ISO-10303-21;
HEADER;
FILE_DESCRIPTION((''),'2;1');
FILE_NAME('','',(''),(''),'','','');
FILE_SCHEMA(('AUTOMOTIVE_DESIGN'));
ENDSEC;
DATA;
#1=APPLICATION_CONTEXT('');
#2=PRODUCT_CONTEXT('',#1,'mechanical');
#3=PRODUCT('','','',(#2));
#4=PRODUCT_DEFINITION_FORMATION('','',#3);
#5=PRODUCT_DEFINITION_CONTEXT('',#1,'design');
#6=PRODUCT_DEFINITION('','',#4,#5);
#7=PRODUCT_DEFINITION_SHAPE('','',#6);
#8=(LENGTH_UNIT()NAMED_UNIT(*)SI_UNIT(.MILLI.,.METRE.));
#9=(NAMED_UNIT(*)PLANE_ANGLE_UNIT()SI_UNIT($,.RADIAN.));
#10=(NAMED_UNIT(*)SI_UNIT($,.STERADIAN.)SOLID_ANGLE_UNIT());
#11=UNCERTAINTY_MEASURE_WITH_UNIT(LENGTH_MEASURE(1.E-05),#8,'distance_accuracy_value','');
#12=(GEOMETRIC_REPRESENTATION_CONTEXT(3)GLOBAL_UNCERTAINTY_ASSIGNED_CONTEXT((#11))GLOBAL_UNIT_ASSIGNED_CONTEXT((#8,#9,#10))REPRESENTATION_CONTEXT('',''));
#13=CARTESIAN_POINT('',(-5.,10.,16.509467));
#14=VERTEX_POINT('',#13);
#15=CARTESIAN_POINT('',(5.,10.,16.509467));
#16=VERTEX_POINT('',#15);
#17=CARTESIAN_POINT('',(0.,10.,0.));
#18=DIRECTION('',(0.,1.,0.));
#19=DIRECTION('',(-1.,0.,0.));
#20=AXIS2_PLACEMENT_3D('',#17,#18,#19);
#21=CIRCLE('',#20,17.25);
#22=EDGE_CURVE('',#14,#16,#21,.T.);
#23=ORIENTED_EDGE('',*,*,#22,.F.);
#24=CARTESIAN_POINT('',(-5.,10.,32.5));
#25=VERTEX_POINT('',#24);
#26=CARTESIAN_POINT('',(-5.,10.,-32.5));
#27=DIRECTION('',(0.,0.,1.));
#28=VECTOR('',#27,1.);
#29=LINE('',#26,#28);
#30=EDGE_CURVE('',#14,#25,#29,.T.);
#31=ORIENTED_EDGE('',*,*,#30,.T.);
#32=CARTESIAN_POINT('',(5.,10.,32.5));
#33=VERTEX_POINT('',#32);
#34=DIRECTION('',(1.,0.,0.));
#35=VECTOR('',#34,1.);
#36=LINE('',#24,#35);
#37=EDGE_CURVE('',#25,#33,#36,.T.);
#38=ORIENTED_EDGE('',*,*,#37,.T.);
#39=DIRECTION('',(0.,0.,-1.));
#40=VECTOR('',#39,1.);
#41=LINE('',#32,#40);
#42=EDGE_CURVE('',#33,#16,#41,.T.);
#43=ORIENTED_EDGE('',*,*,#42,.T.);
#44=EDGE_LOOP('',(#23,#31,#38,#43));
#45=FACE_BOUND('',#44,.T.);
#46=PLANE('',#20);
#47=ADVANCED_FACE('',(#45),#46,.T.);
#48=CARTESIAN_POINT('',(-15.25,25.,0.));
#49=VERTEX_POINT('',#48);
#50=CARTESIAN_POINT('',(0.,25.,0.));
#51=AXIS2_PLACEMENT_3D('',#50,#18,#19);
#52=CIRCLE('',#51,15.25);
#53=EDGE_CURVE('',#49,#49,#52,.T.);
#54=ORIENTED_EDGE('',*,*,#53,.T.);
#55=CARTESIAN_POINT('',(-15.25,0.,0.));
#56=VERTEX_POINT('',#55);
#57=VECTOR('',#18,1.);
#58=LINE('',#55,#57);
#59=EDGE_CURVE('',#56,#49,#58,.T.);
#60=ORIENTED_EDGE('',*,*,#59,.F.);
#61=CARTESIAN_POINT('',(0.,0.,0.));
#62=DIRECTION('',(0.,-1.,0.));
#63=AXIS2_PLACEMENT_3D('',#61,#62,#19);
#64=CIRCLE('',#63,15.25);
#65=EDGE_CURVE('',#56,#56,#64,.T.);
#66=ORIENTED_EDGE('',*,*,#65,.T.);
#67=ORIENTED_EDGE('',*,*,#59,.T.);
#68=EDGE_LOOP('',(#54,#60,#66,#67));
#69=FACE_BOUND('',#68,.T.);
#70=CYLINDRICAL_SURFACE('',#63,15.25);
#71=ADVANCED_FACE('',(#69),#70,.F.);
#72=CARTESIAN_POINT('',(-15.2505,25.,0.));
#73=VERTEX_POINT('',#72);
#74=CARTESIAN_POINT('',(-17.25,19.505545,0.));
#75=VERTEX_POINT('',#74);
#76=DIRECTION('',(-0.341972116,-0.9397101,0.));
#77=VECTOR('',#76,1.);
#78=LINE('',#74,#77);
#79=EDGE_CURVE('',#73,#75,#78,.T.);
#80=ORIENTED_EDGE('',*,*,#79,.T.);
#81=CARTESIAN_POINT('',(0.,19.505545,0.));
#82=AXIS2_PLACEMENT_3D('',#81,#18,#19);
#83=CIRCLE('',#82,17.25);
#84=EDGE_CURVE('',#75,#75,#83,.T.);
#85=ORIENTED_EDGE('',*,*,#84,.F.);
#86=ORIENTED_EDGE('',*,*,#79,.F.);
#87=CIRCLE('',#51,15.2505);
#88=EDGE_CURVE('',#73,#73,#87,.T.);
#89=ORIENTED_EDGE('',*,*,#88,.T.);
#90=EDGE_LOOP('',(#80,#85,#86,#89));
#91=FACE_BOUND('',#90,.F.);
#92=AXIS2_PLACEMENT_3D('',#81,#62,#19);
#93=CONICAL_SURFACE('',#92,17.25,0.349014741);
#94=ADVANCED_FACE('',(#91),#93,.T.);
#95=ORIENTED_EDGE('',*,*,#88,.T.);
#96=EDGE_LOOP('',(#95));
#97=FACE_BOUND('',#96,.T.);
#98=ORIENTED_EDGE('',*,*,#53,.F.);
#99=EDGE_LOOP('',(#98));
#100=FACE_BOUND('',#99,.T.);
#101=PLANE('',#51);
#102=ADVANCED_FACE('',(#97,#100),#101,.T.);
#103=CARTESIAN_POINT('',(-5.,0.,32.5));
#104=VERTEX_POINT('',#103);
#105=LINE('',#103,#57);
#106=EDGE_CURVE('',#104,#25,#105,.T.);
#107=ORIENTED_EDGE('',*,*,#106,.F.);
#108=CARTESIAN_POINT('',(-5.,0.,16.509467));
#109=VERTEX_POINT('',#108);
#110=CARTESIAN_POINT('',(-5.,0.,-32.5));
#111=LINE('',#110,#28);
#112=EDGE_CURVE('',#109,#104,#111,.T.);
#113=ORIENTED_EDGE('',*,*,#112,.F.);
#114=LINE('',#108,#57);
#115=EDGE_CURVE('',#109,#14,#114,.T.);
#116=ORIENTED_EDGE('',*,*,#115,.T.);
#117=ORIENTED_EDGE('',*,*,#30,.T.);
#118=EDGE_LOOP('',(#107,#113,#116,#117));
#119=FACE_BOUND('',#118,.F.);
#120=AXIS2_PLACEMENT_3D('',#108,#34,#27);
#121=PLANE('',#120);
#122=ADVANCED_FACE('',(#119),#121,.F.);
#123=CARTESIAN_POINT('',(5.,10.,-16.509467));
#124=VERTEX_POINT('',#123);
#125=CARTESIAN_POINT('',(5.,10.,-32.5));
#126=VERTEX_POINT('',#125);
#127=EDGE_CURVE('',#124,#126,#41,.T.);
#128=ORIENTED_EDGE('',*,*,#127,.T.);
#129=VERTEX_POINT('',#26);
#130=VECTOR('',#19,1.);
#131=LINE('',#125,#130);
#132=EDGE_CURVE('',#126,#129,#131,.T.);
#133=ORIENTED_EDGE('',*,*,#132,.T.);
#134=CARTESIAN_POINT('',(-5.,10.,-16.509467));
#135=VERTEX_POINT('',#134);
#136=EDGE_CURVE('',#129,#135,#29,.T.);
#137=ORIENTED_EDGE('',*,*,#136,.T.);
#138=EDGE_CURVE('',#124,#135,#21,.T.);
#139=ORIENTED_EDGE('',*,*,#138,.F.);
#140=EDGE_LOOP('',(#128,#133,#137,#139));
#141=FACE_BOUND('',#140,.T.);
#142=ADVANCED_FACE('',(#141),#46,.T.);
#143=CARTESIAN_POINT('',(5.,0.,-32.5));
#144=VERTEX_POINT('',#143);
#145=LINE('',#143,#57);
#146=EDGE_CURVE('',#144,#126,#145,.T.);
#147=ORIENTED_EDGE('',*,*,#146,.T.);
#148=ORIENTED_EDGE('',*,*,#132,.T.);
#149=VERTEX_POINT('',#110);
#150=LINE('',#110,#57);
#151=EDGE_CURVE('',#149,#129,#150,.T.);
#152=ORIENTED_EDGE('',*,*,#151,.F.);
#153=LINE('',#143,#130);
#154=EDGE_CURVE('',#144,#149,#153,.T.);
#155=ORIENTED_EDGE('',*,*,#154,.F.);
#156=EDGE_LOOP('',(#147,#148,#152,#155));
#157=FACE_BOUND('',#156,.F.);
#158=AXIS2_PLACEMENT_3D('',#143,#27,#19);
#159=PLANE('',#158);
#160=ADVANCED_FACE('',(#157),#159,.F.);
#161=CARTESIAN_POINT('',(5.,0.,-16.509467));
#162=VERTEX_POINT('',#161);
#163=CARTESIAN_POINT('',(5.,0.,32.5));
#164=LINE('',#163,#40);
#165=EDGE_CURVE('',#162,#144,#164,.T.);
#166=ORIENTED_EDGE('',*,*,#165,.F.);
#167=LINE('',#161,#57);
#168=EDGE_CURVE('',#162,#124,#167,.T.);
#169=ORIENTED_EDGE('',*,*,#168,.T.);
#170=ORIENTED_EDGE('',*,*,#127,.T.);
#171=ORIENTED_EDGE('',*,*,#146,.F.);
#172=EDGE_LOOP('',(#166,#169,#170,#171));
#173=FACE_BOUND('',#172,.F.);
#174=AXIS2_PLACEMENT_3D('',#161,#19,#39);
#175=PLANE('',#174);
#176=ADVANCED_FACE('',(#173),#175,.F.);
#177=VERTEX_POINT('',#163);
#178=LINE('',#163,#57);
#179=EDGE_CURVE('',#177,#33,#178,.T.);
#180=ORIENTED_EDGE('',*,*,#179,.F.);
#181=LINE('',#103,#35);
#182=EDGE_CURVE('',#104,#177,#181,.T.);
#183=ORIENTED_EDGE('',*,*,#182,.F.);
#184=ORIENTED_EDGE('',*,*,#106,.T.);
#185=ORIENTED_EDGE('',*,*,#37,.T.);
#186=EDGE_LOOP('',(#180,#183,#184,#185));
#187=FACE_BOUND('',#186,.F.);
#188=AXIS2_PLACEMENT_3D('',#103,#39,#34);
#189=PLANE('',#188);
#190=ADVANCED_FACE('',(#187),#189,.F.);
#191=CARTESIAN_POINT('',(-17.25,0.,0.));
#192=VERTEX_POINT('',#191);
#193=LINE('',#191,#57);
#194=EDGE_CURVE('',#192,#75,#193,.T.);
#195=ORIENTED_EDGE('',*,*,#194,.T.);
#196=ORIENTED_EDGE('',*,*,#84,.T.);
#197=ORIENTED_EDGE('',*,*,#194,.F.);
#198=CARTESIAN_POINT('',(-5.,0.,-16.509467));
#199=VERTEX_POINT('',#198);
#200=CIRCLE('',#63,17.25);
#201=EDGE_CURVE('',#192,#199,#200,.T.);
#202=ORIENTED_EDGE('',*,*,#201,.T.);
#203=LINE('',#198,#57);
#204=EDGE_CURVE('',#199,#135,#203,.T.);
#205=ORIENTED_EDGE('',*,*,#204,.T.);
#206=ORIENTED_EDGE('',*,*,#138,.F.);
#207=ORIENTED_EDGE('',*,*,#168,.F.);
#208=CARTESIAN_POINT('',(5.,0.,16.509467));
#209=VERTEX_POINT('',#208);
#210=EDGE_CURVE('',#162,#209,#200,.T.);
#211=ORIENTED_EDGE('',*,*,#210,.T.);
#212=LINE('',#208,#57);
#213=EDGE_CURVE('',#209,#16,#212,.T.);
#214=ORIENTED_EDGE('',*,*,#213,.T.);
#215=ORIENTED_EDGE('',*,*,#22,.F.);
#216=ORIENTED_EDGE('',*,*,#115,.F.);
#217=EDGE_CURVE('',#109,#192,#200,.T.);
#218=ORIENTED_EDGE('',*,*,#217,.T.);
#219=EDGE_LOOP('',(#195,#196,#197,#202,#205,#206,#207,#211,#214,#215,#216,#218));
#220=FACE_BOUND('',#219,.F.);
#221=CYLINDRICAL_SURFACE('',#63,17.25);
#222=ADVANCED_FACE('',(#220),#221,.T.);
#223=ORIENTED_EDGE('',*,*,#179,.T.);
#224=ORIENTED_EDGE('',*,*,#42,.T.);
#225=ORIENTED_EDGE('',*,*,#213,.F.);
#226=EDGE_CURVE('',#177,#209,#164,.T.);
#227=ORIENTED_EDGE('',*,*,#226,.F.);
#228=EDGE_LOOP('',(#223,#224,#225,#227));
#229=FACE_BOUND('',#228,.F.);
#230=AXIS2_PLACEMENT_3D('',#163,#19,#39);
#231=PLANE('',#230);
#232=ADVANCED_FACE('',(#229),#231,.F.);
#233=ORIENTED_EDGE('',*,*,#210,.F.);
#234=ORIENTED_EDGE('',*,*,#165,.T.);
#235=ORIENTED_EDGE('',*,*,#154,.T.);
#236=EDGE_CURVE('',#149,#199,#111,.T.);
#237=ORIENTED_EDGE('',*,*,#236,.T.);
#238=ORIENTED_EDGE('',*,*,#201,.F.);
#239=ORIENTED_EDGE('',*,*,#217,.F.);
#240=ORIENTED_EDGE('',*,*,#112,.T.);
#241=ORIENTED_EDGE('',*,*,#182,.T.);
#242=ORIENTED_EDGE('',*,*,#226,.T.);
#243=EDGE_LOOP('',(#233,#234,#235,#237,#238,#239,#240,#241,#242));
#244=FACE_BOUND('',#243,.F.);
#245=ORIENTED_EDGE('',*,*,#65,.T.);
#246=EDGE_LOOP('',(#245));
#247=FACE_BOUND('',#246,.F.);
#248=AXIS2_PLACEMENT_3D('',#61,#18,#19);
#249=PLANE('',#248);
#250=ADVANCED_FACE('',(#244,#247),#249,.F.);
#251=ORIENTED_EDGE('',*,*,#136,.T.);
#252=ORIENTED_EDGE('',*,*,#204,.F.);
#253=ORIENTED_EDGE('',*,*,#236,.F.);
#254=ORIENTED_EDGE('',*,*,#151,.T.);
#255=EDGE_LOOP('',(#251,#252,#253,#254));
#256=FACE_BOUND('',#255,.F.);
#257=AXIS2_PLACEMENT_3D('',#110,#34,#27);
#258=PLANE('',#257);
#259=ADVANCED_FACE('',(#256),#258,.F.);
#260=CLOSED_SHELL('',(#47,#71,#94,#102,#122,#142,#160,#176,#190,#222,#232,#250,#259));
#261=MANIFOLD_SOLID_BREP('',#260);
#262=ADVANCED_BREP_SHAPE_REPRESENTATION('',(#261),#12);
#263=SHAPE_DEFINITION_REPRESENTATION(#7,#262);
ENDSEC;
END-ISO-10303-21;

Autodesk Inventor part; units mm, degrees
ref_plane "YZ Plane" through (0, 0, 0) normal (1, 0, 0) x (0, 1, 0)
ref_plane "XZ Plane" through (0, 0, 0) normal (0, 1, 0) x (-1, 0, 0)
ref_plane "XY Plane" through (0, 0, 0) normal (0, 0, 1) x (1, 0, 0)
sketch "Sketch1" plane through (0, 0, 0) normal (0, 1, 0) x (-1, 0, 0)
  circle A0 centre (0, 0) radius 15.25
  circle A1 centre (0, 0) radius 17.25
  line L0 (5, 32.5) -> (-5, 32.5)
  line L1 (-5, 32.5) -> (-5, -32.5)
  line L2 (-5, -32.5) -> (5, -32.5)
  line L3 (5, -32.5) -> (5, 32.5)
  point P0 (0, -32.5)
  point P1 (5, 0)
  point P2 (5, -16.5095)
  point P3 (-5, -16.5095)
  point P4 (-5, 16.5095)
  point P5 (5, 16.5095)
  dimension "d0" = 30.5
  dimension "d1" = 2
  dimension "d7" = 10
  dimension "d8" = 65
extrude "Extrusion1" add sketch "Sketch1" along normal blind 25 contours A0 L3 A1 | A0 L1 A1 L3 | L3 A1 L1 A0 | A0 L1 A1
chamfer "Chamfer1" distance 2 angle 70 1 edges at (17.25, 25, 0) measured on face at (-16.4162, 25, -1.3761)
extrude "Extrusion2" add sketch "Sketch1" along normal blind 10 contours A1 L1 L0 L3 | L3 L2 L1 A1
properties part number "Pope8697-StopperCutter_3DPrint"
